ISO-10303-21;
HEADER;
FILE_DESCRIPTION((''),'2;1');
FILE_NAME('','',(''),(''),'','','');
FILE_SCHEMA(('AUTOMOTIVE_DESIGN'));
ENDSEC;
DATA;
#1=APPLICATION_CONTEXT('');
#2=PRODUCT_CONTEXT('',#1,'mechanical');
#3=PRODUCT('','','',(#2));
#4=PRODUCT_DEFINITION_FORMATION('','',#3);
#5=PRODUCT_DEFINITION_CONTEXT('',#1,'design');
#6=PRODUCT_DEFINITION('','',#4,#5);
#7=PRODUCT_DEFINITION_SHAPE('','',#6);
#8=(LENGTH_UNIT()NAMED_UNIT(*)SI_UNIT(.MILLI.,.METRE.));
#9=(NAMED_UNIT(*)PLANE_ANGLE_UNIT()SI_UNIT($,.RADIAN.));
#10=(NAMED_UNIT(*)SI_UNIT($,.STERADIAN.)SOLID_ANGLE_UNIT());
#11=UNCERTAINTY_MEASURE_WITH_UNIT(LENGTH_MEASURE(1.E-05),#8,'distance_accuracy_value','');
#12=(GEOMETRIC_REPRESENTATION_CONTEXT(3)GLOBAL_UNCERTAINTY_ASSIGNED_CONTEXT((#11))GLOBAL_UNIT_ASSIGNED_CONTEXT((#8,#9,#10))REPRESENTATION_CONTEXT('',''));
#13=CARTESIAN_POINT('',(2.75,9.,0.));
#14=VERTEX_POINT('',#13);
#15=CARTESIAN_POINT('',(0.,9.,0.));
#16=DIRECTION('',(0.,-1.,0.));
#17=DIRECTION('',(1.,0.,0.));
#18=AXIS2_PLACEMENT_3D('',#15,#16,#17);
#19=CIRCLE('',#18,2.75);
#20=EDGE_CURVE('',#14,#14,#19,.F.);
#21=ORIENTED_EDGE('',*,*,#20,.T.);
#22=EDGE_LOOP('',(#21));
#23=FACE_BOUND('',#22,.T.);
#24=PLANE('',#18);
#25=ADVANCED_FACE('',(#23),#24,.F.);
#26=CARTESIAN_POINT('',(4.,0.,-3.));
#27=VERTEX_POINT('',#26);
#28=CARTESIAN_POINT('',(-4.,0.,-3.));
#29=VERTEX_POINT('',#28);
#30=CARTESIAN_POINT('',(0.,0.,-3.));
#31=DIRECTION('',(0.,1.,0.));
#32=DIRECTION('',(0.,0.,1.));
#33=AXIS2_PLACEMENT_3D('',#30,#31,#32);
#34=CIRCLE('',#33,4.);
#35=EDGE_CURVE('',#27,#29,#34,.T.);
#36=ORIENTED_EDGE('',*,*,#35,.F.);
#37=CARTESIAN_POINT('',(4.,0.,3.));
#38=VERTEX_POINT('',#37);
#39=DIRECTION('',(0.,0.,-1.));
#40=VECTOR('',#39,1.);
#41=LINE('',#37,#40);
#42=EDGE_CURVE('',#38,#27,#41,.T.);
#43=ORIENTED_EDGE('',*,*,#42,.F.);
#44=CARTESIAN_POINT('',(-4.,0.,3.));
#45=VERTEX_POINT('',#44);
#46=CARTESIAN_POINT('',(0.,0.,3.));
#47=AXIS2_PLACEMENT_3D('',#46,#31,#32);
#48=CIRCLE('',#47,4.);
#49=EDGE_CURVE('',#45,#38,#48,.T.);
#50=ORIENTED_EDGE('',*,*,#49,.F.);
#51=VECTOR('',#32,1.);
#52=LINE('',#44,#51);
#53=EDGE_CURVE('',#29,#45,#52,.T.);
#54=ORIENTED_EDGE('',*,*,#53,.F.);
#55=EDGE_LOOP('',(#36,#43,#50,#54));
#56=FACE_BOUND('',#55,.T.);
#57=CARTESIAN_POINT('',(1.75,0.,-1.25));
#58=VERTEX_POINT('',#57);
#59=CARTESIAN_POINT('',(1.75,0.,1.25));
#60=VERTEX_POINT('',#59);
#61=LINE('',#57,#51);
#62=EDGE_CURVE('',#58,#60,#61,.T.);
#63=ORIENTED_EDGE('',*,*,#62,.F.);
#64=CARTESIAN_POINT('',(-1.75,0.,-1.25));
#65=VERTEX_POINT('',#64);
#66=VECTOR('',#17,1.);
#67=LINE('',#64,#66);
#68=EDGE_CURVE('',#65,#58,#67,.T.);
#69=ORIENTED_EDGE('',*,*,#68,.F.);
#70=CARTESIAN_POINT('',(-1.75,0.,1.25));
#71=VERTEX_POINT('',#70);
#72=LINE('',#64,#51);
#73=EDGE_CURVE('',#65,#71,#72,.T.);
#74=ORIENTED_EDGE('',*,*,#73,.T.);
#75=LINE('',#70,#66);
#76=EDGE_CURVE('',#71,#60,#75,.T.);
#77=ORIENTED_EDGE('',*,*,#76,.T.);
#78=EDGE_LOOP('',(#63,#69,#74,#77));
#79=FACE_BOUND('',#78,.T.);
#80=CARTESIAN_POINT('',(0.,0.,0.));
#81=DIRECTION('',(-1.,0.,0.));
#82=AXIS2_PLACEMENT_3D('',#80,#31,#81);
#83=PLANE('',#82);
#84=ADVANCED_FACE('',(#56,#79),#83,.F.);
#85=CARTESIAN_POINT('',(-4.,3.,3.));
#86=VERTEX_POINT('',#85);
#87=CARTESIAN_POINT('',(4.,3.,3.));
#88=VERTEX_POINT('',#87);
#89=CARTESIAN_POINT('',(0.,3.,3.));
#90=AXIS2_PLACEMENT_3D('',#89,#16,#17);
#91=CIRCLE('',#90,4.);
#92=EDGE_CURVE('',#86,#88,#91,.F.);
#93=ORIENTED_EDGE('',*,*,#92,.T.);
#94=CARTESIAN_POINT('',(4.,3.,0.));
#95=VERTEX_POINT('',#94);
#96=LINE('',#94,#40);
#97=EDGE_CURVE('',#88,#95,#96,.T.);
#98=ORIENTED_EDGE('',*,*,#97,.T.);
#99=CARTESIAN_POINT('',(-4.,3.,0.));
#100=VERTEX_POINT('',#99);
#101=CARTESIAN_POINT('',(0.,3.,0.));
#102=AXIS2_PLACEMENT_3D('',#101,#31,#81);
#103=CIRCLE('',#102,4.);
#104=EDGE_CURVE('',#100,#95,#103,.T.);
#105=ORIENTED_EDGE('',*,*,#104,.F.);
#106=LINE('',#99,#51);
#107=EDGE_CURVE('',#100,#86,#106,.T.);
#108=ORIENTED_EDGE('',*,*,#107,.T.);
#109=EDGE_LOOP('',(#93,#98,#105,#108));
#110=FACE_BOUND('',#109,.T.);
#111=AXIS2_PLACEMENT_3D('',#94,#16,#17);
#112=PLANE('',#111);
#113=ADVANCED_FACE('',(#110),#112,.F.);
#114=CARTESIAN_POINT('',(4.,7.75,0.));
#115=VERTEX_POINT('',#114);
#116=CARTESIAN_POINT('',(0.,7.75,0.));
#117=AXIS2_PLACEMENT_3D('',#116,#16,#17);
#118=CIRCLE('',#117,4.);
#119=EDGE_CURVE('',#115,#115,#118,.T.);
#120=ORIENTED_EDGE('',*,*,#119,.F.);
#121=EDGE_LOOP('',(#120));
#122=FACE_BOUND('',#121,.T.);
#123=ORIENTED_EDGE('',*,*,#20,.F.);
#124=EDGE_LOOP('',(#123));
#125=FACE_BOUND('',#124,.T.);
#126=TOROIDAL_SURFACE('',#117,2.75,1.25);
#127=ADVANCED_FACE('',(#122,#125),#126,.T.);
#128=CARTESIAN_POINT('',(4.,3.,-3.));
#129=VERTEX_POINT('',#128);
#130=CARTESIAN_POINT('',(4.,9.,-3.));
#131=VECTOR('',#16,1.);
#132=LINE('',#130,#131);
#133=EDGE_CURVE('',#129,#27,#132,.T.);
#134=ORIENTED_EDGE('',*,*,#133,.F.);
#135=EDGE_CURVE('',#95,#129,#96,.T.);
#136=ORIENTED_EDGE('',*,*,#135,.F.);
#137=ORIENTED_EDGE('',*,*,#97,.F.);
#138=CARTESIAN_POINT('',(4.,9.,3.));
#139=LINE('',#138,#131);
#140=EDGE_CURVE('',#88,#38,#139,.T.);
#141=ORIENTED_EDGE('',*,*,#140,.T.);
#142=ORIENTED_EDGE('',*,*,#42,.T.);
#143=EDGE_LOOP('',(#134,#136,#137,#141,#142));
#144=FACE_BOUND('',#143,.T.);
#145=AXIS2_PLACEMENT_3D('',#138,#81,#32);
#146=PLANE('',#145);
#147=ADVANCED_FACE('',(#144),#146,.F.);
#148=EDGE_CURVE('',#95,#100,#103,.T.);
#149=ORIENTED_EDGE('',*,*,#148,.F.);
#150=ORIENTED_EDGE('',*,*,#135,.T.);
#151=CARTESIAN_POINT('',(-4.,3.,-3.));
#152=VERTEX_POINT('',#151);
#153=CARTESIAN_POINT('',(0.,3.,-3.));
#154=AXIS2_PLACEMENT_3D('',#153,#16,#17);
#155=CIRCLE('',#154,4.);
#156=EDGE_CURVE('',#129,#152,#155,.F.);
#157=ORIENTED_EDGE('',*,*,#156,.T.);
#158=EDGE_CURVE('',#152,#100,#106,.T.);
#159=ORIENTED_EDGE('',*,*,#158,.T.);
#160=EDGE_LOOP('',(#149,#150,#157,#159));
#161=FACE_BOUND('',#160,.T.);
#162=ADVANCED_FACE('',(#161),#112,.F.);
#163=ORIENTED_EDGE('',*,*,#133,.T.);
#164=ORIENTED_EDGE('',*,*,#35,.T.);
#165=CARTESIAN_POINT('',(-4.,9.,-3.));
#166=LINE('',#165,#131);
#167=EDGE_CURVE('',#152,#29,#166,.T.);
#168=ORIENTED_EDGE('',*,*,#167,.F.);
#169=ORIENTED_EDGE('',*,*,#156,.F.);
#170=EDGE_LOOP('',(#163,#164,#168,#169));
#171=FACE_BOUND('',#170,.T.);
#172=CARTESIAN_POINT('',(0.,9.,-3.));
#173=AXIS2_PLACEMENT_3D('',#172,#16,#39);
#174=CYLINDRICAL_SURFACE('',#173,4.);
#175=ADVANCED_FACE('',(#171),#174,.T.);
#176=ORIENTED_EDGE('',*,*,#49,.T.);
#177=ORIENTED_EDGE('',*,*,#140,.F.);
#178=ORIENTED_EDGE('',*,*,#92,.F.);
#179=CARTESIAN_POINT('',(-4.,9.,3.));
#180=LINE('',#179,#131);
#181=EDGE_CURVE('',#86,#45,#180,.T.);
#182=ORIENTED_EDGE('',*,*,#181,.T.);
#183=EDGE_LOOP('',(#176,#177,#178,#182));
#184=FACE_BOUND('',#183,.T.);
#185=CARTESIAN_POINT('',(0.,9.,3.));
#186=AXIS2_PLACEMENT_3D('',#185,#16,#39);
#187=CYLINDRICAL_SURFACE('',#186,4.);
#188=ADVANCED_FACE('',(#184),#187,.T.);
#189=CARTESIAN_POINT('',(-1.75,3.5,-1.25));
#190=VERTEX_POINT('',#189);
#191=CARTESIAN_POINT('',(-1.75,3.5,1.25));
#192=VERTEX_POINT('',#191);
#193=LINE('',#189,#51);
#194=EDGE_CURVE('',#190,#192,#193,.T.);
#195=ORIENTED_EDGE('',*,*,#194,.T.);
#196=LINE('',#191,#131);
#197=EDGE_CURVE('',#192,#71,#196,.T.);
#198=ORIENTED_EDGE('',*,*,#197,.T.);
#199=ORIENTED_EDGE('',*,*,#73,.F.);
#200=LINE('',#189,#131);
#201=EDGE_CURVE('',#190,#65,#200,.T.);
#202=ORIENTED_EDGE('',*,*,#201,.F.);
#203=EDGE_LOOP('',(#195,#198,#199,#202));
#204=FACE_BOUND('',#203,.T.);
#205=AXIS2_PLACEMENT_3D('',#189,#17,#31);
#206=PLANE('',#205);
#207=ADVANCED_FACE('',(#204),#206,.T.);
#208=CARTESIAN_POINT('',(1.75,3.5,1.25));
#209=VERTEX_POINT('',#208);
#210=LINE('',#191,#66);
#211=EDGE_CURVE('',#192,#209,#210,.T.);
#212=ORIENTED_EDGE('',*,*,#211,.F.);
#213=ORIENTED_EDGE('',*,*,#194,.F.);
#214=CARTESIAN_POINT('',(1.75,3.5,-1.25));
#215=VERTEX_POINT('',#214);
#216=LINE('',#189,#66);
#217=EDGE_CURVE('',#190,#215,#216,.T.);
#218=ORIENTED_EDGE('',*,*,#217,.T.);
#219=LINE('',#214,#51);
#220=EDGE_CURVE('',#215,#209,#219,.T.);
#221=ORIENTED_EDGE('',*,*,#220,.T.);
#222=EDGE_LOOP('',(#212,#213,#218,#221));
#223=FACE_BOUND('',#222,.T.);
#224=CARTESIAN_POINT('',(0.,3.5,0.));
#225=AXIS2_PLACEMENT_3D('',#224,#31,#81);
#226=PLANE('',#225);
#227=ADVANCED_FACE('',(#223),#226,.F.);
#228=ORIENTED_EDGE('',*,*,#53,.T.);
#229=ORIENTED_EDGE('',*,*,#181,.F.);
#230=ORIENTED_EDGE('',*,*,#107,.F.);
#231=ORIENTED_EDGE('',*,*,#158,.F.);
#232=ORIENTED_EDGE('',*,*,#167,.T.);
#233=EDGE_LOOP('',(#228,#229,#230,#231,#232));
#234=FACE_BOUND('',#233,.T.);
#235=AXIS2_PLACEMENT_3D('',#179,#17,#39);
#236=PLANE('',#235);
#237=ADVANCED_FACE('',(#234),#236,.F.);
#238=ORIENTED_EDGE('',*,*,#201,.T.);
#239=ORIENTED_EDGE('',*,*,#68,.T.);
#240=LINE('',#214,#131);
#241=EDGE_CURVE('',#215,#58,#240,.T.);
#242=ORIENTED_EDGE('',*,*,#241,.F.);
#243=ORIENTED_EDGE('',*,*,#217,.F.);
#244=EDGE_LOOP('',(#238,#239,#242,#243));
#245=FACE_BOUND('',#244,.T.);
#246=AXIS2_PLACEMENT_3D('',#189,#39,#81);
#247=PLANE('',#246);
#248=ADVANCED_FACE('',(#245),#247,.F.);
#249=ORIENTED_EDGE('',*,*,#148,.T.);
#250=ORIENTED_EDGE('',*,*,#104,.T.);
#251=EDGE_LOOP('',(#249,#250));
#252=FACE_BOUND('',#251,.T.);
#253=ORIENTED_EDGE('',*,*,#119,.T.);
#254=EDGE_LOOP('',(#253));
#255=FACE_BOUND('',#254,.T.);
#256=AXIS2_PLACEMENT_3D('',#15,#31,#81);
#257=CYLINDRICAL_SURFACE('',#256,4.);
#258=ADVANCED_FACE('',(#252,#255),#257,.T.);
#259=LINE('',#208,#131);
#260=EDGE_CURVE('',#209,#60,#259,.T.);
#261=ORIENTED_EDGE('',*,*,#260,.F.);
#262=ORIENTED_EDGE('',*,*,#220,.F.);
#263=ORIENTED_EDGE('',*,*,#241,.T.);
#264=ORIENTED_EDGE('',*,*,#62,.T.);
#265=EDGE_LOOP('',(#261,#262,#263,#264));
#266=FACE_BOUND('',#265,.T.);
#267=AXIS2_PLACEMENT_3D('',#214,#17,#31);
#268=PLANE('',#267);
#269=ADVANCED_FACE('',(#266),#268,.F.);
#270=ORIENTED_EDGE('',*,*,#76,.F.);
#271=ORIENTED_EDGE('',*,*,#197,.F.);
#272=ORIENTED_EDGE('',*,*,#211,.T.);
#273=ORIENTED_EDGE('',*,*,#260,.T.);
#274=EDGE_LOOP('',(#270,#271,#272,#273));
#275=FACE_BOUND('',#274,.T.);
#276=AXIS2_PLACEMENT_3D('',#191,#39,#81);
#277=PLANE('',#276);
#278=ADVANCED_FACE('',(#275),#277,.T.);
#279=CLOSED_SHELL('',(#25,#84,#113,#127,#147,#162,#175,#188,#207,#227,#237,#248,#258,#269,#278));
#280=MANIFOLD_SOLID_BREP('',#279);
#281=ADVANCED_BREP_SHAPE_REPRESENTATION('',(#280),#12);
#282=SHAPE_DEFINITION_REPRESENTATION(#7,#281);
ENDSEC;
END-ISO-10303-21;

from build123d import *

# Parameters (mm, degrees)
SKETCH2_W          = 3.5
SKETCH2_H          = 2.5
CUT_EXTRUDE1_DEPTH = 3.5
FILLET1_R          = 1.25
CUT_EXTRUDE2_DEPTH = 14.37908816


with BuildPart() as part:
    # Sketch1 → Revolve1 (revolve)
    with BuildSketch(Plane.XY, mode=Mode.PRIVATE) as revolve1_sk:
        Polygon((0, 9), (4, 9), (4, 3), (7, 3), (7, 0), (0, 0), align=None)
    revolve(revolve1_sk.sketch.rotate(Axis((0, 9, 0), (0, -1, 0)), 180), axis=Axis((0, 9, 0), (0, -1, 0)))

    # Sketch2 → Cut-Extrude1 (cut)
    with BuildSketch(Plane.XZ):
        Rectangle(SKETCH2_W, SKETCH2_H)
    extrude(amount=-CUT_EXTRUDE1_DEPTH, mode=Mode.SUBTRACT)

    # Fillet1
    fillet1_edges = [part.edges().sort_by_distance(p)[0] for p in [
        (4, 9, 0),
    ]]
    fillet(fillet1_edges, radius=FILLET1_R)

    # Sketch3 → Cut-Extrude2 (cut, through all)
    with BuildSketch(Plane(origin=(0, 0, 0), x_dir=(1, 0, 0), z_dir=(0, 1, 0))):
        with BuildLine():
            Line((-14, -3), (-14, 3))
            ThreePointArc((-14, 3), (0, 17), (14, 3))
            Line((14, 3), (14, -3))
            ThreePointArc((14, -3), (0, -17), (-14, -3))
        make_face()
        with BuildLine():
            Line((-4, -3), (-4, 3))
            ThreePointArc((-4, 3), (0, 7), (4, 3))
            Line((4, 3), (4, -3))
            ThreePointArc((4, -3), (0, -7), (-4, -3))
        make_face(mode=Mode.SUBTRACT)
    extrude(amount=CUT_EXTRUDE2_DEPTH, mode=Mode.SUBTRACT)


solid = part.part
